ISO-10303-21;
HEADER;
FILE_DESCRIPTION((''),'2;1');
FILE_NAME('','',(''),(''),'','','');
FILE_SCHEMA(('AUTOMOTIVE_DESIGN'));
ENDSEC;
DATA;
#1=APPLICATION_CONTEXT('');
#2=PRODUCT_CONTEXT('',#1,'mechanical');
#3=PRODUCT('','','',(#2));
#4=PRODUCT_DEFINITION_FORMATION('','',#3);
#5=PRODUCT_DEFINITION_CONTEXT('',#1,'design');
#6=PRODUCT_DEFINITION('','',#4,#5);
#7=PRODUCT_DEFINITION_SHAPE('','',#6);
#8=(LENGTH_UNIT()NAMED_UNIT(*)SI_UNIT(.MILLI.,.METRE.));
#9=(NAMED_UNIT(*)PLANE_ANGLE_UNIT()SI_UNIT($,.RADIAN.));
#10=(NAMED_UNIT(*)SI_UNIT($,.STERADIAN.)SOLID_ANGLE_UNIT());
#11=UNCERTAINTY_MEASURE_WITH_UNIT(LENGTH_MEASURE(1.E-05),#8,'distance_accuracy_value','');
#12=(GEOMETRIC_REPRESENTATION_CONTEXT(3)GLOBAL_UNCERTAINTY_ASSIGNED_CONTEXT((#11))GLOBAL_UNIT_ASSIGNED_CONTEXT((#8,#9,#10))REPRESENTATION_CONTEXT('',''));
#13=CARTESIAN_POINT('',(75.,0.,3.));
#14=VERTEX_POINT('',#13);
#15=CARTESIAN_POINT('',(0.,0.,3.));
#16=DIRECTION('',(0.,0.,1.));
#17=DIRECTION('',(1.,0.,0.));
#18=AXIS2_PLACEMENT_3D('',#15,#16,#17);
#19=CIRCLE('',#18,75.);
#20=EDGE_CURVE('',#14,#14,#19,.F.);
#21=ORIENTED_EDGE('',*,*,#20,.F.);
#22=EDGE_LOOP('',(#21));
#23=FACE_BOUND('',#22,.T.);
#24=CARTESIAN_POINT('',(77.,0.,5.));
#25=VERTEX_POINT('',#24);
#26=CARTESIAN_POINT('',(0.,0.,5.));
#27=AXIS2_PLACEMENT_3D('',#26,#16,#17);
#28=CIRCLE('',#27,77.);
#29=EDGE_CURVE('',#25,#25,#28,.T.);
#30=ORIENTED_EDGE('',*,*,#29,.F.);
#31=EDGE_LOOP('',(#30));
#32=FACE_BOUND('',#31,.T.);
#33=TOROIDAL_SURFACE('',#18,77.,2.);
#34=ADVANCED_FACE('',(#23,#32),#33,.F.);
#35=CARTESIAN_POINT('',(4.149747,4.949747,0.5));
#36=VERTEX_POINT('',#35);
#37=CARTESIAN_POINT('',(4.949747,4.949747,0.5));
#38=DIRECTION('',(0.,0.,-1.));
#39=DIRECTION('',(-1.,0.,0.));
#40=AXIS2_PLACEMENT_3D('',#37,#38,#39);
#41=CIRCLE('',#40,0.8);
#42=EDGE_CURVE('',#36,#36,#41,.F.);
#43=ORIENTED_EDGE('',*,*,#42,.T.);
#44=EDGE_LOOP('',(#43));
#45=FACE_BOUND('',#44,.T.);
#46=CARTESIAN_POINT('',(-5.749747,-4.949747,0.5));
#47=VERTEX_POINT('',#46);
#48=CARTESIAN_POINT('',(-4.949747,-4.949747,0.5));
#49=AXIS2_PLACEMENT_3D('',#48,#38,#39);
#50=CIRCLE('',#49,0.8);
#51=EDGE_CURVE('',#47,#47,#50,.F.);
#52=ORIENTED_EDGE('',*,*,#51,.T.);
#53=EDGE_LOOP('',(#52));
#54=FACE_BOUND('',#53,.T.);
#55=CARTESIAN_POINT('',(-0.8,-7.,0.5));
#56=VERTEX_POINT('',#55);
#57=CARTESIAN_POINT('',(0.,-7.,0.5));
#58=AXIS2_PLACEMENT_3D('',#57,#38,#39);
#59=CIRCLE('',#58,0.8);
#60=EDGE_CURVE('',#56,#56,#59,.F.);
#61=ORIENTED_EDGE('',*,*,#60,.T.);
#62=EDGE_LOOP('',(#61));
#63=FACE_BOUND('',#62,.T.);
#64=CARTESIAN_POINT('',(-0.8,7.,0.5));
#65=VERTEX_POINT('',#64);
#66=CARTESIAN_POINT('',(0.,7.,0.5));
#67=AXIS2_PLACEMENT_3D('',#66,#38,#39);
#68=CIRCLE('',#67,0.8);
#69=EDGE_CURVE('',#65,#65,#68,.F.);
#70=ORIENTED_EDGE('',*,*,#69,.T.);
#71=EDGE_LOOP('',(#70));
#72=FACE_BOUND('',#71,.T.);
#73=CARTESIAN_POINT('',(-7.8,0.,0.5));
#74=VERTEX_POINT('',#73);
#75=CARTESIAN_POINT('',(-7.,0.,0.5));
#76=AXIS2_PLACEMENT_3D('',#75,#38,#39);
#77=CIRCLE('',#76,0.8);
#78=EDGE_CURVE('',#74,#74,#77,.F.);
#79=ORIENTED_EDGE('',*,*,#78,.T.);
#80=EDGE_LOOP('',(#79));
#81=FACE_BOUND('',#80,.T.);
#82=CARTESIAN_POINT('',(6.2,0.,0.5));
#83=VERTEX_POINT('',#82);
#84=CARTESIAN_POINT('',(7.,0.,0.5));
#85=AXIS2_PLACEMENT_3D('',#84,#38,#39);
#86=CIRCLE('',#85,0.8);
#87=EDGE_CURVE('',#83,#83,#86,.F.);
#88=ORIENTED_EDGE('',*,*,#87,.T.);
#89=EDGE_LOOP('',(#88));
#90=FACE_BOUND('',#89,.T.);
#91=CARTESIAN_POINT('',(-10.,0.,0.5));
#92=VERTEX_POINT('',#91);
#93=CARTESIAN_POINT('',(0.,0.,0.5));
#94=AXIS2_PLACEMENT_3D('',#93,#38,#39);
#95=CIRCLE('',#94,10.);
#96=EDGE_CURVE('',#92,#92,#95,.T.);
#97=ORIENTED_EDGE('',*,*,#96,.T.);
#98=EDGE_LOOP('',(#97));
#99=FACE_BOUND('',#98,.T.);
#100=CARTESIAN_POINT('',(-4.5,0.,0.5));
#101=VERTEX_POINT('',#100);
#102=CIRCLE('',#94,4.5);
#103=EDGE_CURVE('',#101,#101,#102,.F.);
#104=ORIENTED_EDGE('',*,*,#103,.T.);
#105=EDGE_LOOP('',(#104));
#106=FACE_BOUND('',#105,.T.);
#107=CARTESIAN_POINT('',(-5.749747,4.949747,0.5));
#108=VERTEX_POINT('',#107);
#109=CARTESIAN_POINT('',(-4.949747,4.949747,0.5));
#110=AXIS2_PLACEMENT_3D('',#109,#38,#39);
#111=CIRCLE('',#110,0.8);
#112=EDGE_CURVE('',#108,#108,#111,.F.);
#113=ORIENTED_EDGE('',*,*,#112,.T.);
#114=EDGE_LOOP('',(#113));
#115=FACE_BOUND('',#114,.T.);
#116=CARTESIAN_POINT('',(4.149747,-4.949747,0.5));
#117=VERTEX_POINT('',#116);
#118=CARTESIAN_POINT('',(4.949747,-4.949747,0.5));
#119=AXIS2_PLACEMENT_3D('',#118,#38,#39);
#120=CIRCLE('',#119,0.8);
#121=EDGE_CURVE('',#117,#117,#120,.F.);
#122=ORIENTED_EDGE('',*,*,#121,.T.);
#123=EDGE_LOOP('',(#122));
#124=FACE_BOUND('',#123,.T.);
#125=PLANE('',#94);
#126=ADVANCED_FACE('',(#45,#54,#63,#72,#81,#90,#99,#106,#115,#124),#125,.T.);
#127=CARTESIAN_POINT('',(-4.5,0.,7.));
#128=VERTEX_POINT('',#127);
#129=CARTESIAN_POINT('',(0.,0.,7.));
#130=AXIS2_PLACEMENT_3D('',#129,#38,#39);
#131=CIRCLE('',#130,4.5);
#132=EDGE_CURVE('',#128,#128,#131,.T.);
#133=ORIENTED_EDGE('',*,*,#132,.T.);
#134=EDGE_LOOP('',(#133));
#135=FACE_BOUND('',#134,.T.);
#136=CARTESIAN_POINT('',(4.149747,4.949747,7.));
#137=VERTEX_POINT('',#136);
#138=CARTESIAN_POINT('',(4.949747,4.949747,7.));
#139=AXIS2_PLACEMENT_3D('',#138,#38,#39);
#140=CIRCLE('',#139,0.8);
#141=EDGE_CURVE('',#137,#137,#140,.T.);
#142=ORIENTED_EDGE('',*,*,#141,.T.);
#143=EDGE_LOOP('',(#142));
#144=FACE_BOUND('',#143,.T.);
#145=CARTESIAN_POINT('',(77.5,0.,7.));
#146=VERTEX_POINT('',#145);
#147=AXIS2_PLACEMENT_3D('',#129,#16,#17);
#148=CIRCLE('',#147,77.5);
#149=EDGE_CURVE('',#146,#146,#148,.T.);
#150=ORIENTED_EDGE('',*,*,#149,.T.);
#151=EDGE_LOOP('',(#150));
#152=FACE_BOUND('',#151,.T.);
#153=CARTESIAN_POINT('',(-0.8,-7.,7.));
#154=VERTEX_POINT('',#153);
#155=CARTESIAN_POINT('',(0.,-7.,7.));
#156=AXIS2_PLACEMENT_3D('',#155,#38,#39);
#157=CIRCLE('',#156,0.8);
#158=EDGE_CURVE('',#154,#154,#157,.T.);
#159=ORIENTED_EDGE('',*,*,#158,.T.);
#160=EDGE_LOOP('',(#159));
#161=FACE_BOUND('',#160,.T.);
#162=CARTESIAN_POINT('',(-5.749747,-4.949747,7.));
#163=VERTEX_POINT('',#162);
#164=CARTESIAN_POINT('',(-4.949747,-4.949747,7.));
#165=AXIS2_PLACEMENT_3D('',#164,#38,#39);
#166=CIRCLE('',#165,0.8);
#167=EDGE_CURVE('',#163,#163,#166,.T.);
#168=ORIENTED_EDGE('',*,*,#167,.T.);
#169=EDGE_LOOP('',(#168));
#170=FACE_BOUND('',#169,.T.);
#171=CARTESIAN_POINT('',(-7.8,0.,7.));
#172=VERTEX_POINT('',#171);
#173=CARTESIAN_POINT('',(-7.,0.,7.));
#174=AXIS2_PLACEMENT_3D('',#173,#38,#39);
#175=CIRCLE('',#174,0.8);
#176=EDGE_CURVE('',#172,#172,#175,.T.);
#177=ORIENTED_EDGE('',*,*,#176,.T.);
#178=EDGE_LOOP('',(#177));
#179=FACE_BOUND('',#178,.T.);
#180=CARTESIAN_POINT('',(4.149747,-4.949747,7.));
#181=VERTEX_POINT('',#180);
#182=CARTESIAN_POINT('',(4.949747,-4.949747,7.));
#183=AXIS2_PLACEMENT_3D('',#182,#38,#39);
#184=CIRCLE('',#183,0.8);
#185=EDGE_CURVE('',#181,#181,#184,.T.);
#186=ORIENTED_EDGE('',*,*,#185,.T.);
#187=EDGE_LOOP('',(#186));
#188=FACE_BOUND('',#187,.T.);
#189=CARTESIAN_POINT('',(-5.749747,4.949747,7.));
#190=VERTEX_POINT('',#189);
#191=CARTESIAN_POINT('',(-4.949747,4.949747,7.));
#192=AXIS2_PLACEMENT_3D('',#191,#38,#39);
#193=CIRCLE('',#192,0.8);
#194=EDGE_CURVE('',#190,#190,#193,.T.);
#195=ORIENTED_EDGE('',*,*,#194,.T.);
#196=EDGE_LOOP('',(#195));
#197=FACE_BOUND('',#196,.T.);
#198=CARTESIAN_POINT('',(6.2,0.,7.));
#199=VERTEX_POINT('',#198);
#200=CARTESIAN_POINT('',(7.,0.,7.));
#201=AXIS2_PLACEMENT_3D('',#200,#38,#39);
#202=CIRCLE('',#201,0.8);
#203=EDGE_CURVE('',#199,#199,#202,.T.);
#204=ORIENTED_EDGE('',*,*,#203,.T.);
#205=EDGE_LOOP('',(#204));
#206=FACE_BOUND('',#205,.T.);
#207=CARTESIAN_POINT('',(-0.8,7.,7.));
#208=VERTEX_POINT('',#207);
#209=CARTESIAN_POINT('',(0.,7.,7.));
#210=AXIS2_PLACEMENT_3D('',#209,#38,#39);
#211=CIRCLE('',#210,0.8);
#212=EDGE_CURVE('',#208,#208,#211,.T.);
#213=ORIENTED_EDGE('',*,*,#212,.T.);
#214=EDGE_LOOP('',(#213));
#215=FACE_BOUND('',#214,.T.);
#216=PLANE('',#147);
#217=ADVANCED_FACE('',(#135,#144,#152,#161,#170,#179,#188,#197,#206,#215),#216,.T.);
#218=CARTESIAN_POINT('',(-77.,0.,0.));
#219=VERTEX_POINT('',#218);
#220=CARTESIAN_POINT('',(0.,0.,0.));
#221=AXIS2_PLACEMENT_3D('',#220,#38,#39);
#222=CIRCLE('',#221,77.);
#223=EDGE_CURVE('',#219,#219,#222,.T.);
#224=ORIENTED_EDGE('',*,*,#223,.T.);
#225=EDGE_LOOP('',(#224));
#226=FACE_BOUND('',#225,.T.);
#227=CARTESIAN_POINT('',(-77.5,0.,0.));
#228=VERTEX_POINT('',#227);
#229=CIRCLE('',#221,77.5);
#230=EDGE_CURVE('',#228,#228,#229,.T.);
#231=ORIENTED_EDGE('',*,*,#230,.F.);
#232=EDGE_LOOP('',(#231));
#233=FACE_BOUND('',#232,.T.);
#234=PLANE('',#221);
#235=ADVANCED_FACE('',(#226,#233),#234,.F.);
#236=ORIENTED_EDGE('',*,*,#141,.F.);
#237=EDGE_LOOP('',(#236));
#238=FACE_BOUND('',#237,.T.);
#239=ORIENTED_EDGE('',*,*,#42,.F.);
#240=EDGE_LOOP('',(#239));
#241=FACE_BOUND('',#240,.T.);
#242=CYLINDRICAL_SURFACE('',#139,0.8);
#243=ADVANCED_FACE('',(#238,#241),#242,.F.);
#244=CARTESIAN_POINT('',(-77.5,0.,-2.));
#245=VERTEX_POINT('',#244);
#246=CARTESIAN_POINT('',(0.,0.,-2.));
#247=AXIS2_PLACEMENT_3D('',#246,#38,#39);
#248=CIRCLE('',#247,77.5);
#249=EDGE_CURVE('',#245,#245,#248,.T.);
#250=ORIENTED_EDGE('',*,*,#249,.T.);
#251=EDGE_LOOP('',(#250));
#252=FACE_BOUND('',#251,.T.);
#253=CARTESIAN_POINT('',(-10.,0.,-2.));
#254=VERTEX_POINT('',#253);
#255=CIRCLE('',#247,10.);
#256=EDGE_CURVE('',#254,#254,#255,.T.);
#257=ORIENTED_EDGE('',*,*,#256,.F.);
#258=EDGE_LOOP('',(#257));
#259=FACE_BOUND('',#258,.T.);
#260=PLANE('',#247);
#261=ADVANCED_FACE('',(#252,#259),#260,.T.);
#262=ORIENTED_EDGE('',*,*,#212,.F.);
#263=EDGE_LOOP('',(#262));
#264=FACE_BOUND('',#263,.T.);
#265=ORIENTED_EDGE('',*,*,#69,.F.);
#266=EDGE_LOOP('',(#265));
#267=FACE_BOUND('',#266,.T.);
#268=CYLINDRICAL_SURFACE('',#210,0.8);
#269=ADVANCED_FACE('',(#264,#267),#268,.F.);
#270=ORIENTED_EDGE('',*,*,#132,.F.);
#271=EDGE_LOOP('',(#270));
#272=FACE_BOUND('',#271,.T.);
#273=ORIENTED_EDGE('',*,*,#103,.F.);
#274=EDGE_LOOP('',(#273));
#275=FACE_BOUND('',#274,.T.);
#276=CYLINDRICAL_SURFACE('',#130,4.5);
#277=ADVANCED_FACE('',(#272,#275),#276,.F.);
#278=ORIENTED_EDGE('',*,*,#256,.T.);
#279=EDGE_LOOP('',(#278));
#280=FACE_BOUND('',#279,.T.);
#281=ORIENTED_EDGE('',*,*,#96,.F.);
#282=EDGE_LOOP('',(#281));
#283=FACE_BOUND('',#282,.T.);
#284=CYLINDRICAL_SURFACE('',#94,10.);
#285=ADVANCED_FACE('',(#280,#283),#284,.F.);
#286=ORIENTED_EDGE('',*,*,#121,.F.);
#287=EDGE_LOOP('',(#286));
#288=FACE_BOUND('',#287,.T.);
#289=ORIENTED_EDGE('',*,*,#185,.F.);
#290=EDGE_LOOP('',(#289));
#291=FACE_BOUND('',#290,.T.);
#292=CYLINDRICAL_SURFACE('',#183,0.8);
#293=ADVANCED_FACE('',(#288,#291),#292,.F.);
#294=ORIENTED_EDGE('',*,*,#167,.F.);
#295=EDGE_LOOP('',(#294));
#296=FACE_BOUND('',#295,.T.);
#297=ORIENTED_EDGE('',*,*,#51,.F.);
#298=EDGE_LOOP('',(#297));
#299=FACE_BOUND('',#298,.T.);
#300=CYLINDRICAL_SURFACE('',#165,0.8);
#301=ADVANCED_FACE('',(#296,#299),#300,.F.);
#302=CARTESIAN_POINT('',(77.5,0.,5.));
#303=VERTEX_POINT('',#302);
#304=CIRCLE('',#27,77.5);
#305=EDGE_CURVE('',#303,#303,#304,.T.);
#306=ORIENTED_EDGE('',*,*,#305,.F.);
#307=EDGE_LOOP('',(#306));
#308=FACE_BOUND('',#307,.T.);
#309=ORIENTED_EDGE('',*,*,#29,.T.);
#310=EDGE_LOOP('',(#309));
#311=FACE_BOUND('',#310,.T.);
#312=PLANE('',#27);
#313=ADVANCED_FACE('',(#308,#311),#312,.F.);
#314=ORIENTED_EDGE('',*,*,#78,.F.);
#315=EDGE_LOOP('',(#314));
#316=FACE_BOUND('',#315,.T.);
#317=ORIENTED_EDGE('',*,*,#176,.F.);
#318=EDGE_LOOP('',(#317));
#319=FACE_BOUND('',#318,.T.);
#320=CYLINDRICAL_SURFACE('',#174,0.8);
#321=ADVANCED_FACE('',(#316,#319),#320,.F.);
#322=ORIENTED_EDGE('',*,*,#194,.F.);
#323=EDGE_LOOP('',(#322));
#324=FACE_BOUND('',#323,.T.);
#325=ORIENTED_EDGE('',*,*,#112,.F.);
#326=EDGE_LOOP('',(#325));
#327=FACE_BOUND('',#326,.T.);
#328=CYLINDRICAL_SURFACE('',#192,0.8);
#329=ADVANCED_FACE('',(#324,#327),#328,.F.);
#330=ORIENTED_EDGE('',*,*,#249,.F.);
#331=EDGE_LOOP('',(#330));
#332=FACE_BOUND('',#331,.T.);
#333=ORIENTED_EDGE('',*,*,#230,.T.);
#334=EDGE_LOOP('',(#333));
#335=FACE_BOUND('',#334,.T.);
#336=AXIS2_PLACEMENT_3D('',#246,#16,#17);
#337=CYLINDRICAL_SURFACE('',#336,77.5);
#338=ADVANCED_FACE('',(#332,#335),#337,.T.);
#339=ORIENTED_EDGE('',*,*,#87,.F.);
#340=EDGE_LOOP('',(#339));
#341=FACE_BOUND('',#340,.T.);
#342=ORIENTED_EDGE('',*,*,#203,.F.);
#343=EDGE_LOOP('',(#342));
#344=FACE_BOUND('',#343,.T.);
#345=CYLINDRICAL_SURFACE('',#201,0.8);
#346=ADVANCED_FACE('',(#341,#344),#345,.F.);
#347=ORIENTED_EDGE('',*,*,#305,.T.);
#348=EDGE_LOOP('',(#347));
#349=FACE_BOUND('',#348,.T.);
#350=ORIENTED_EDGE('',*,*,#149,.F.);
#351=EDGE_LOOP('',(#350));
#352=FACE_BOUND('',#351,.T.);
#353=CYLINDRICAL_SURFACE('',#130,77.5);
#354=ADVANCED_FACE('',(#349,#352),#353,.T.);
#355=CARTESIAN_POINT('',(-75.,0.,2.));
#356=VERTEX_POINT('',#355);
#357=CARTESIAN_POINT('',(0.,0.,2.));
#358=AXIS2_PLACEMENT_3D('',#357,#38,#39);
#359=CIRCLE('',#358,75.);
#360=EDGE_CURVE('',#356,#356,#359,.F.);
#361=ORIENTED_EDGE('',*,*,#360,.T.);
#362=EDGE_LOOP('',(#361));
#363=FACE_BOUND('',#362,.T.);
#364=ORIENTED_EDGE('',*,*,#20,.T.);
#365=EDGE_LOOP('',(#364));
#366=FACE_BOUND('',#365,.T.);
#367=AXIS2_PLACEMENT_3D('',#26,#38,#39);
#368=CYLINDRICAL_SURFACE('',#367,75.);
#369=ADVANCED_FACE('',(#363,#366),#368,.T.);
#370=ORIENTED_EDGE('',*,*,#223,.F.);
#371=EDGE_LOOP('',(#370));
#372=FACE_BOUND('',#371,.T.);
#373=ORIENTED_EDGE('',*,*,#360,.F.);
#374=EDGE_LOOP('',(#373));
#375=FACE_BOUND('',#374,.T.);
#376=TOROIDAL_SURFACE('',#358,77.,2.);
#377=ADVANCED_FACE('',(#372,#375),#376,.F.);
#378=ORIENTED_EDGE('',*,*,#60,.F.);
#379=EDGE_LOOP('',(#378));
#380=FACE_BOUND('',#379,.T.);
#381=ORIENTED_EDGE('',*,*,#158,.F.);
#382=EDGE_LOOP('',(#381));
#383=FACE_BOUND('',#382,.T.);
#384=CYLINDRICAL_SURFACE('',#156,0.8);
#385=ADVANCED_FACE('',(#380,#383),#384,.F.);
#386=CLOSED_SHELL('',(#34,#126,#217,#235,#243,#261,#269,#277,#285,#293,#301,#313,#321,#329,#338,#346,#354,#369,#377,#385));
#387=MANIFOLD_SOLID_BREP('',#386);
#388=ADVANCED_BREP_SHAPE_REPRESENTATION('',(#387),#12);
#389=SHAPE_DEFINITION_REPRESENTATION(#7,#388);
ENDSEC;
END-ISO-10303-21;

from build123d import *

# Parameters (mm, degrees)
SKETCH1_R           = 75
BOSS_EXTRUDE1_DEPTH = 5
SKETCH2_R           = 77.5
BOSS_EXTRUDE2_DEPTH = 2
BOSS_EXTRUDE3_START = 2
SKETCH3_R           = 77.5
BOSS_EXTRUDE3_DEPTH = 2
CUT_EXTRUDE2_DEPTH  = 110.970450577
SKETCH10_R          = 10
CUT_EXTRUDE3_DEPTH  = 2.5
FILLET1_R           = 2


with BuildPart() as part:
    # Sketch1 → Boss-Extrude1 (new body)
    with BuildSketch(Plane.XY):
        Circle(SKETCH1_R)
    extrude(amount=BOSS_EXTRUDE1_DEPTH)

    # Sketch2 → Boss-Extrude2 (add)
    with BuildSketch(Plane.XY.offset(5)):
        Circle(SKETCH2_R)
    extrude(amount=BOSS_EXTRUDE2_DEPTH)

    # Sketch3 → Boss-Extrude3 (add)
    with BuildSketch(Plane(origin=(0, 0, 0), x_dir=(-1, 0, 0), z_dir=(0, 0, -1)).offset(BOSS_EXTRUDE3_START)):
        with Locations(Location((0, 0, 0), (0, 0, 180))):
            Circle(SKETCH3_R)
    extrude(amount=-BOSS_EXTRUDE3_DEPTH)

    # Sketch5 → Cut-Extrude2 (cut, through all)
    with BuildSketch(Plane(origin=(0, 0, -2), x_dir=(-1, 0, 0), z_dir=(0, 0, -1))):
        with BuildLine():
            ThreePointArc((-4.5, 0), (0, -4.5), (4.5, 0))
            ThreePointArc((4.5, 0), (0, 4.5), (-4.5, 0))
        make_face()
        with BuildLine():
            ThreePointArc((-4.149747468, 4.949747468), (-4.949747468, 5.749747468), (-5.749747468, 4.949747468))
            ThreePointArc((-5.749747468, 4.949747468), (-4.949747468, 4.149747468), (-4.149747468, 4.949747468))
        make_face()
        with BuildLine():
            ThreePointArc((-6.2, 0), (-7, 0.8), (-7.8, 0))
            ThreePointArc((-7.8, 0), (-7, -0.8), (-6.2, 0))
        make_face()
        with BuildLine():
            ThreePointArc((-4.149747468, -4.949747468), (-4.949747468, -4.149747468), (-5.749747468, -4.949747468))
            ThreePointArc((-5.749747468, -4.949747468), (-4.949747468, -5.749747468), (-4.149747468, -4.949747468))
        make_face()
        with BuildLine():
            ThreePointArc((-0.8, -7), (0, -7.8), (0.8, -7))
            ThreePointArc((0.8, -7), (0, -6.2), (-0.8, -7))
        make_face()
        with BuildLine():
            ThreePointArc((4.149747468, -4.949747468), (4.949747468, -5.749747468), (5.749747468, -4.949747468))
            ThreePointArc((5.749747468, -4.949747468), (4.949747468, -4.149747468), (4.149747468, -4.949747468))
        make_face()
        with BuildLine():
            ThreePointArc((6.2, 0), (7, -0.8), (7.8, 0))
            ThreePointArc((7.8, 0), (7, 0.8), (6.2, 0))
        make_face()
        with BuildLine():
            ThreePointArc((4.149747468, 4.949747468), (4.949747468, 4.149747468), (5.749747468, 4.949747468))
            ThreePointArc((5.749747468, 4.949747468), (4.949747468, 5.749747468), (4.149747468, 4.949747468))
        make_face()
        with BuildLine():
            ThreePointArc((0.8, 7), (0, 7.8), (-0.8, 7))
            ThreePointArc((-0.8, 7), (0, 6.2), (0.8, 7))
        make_face()
    extrude(amount=-CUT_EXTRUDE2_DEPTH, mode=Mode.SUBTRACT)

    # Sketch10 → Cut-Extrude3 (cut)
    with BuildSketch(Plane(origin=(0, 0, -2), x_dir=(-1, 0, 0), z_dir=(0, 0, -1))):
        Circle(SKETCH10_R)
    extrude(amount=-CUT_EXTRUDE3_DEPTH, mode=Mode.SUBTRACT)

    # Fillet1
    fillet1_edges = [part.edges().sort_by_distance(p)[0] for p in [
        (-75, 0, 5),
        (-75, 0, 0),
    ]]
    fillet(fillet1_edges, radius=FILLET1_R)


solid = part.part
